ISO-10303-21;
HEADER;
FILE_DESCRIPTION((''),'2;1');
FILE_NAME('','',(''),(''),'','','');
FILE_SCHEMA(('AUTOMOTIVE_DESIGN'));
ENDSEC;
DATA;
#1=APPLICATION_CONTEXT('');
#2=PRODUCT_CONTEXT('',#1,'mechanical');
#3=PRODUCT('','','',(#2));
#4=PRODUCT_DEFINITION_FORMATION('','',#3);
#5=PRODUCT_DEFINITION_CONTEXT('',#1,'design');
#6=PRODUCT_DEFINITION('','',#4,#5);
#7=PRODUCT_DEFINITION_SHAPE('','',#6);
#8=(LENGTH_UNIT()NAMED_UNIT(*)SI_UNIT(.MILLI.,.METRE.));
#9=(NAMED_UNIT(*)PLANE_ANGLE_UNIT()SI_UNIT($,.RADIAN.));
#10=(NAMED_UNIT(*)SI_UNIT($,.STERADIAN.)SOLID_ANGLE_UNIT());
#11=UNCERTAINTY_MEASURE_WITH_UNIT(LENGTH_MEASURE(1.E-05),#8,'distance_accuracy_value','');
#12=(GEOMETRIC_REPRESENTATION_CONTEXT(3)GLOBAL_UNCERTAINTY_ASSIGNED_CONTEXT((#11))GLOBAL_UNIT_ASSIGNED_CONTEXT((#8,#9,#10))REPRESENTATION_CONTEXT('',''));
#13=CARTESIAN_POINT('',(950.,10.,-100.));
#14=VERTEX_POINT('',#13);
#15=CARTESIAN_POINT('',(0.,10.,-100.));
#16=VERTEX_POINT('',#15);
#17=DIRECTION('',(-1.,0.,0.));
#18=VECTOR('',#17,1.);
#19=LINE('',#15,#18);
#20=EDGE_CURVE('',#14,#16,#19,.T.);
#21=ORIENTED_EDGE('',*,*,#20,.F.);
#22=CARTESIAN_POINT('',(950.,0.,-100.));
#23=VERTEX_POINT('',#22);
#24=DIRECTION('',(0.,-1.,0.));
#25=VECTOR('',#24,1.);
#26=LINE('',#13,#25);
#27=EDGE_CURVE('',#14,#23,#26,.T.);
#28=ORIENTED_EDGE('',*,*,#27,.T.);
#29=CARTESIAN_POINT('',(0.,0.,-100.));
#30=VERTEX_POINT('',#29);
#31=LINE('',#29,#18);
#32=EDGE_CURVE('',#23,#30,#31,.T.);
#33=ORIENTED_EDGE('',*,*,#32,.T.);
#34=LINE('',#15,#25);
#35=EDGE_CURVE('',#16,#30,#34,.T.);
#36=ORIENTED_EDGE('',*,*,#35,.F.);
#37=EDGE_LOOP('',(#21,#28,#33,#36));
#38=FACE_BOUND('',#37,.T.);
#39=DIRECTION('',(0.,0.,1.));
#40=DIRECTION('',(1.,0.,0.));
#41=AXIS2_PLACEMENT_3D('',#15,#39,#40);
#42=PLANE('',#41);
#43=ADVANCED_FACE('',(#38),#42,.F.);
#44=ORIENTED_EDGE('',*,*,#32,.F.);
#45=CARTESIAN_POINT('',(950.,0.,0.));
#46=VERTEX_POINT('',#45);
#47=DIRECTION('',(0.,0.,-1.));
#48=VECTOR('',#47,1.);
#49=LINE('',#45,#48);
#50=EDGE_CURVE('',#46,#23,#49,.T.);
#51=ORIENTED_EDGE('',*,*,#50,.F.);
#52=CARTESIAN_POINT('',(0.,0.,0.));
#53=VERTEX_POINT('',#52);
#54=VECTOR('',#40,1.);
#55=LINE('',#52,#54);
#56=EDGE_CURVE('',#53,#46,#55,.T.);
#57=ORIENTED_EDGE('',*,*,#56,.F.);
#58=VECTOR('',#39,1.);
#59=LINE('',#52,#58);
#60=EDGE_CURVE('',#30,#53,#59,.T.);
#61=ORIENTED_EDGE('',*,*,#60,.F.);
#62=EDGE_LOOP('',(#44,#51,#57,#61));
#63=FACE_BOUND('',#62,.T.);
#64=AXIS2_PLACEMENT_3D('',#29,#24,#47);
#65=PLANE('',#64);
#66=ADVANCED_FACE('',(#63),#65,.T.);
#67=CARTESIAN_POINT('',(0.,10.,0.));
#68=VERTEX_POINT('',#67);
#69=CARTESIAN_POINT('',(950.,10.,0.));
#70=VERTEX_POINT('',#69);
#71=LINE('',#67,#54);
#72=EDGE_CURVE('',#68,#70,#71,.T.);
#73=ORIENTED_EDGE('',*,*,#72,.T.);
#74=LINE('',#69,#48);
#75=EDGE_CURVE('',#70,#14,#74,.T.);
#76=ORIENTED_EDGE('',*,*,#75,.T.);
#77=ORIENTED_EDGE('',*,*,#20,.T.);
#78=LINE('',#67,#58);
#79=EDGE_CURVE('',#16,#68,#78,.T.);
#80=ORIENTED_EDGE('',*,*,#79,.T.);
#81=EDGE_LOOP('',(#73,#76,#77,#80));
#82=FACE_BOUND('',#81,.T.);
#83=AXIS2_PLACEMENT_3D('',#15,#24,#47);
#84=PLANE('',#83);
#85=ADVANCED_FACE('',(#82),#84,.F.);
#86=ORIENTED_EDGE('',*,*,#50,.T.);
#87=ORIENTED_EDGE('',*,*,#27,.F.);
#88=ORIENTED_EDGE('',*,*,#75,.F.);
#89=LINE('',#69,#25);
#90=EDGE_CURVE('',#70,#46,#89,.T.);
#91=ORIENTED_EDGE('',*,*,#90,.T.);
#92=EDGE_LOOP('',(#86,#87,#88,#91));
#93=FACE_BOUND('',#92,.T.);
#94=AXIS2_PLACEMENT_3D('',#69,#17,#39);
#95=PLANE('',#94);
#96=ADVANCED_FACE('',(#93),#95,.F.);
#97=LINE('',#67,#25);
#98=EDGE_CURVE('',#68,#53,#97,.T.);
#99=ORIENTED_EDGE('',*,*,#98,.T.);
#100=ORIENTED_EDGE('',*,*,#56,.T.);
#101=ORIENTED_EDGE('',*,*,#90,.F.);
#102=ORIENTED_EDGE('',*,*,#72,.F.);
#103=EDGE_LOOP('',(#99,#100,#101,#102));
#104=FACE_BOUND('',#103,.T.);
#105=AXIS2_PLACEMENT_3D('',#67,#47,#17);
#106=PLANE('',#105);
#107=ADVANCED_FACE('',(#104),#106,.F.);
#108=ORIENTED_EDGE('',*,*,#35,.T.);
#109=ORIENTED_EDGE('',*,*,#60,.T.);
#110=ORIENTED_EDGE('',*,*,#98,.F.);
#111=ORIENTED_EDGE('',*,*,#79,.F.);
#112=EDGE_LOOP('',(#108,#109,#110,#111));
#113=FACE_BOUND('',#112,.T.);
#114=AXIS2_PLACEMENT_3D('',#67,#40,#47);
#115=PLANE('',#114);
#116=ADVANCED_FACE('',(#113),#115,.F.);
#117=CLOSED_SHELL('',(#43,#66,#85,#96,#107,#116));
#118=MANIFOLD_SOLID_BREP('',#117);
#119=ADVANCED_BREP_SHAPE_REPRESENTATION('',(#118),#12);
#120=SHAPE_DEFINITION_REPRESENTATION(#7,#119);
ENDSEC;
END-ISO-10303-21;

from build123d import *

# Parameters (mm, degrees)
ESQUISSE1_W      = 950
ESQUISSE1_H      = 100
EXTRUSION1_DEPTH = 10


with BuildPart() as part:
    # Esquisse1 → Extrusion1 (new body)
    with BuildSketch(Plane(origin=(0, 0, 0), x_dir=(1, 0, 0), z_dir=(0, 1, 0))):
        with Locations((475, 50)):
            Rectangle(ESQUISSE1_W, ESQUISSE1_H)
    extrude(amount=EXTRUSION1_DEPTH)


solid = part.part
